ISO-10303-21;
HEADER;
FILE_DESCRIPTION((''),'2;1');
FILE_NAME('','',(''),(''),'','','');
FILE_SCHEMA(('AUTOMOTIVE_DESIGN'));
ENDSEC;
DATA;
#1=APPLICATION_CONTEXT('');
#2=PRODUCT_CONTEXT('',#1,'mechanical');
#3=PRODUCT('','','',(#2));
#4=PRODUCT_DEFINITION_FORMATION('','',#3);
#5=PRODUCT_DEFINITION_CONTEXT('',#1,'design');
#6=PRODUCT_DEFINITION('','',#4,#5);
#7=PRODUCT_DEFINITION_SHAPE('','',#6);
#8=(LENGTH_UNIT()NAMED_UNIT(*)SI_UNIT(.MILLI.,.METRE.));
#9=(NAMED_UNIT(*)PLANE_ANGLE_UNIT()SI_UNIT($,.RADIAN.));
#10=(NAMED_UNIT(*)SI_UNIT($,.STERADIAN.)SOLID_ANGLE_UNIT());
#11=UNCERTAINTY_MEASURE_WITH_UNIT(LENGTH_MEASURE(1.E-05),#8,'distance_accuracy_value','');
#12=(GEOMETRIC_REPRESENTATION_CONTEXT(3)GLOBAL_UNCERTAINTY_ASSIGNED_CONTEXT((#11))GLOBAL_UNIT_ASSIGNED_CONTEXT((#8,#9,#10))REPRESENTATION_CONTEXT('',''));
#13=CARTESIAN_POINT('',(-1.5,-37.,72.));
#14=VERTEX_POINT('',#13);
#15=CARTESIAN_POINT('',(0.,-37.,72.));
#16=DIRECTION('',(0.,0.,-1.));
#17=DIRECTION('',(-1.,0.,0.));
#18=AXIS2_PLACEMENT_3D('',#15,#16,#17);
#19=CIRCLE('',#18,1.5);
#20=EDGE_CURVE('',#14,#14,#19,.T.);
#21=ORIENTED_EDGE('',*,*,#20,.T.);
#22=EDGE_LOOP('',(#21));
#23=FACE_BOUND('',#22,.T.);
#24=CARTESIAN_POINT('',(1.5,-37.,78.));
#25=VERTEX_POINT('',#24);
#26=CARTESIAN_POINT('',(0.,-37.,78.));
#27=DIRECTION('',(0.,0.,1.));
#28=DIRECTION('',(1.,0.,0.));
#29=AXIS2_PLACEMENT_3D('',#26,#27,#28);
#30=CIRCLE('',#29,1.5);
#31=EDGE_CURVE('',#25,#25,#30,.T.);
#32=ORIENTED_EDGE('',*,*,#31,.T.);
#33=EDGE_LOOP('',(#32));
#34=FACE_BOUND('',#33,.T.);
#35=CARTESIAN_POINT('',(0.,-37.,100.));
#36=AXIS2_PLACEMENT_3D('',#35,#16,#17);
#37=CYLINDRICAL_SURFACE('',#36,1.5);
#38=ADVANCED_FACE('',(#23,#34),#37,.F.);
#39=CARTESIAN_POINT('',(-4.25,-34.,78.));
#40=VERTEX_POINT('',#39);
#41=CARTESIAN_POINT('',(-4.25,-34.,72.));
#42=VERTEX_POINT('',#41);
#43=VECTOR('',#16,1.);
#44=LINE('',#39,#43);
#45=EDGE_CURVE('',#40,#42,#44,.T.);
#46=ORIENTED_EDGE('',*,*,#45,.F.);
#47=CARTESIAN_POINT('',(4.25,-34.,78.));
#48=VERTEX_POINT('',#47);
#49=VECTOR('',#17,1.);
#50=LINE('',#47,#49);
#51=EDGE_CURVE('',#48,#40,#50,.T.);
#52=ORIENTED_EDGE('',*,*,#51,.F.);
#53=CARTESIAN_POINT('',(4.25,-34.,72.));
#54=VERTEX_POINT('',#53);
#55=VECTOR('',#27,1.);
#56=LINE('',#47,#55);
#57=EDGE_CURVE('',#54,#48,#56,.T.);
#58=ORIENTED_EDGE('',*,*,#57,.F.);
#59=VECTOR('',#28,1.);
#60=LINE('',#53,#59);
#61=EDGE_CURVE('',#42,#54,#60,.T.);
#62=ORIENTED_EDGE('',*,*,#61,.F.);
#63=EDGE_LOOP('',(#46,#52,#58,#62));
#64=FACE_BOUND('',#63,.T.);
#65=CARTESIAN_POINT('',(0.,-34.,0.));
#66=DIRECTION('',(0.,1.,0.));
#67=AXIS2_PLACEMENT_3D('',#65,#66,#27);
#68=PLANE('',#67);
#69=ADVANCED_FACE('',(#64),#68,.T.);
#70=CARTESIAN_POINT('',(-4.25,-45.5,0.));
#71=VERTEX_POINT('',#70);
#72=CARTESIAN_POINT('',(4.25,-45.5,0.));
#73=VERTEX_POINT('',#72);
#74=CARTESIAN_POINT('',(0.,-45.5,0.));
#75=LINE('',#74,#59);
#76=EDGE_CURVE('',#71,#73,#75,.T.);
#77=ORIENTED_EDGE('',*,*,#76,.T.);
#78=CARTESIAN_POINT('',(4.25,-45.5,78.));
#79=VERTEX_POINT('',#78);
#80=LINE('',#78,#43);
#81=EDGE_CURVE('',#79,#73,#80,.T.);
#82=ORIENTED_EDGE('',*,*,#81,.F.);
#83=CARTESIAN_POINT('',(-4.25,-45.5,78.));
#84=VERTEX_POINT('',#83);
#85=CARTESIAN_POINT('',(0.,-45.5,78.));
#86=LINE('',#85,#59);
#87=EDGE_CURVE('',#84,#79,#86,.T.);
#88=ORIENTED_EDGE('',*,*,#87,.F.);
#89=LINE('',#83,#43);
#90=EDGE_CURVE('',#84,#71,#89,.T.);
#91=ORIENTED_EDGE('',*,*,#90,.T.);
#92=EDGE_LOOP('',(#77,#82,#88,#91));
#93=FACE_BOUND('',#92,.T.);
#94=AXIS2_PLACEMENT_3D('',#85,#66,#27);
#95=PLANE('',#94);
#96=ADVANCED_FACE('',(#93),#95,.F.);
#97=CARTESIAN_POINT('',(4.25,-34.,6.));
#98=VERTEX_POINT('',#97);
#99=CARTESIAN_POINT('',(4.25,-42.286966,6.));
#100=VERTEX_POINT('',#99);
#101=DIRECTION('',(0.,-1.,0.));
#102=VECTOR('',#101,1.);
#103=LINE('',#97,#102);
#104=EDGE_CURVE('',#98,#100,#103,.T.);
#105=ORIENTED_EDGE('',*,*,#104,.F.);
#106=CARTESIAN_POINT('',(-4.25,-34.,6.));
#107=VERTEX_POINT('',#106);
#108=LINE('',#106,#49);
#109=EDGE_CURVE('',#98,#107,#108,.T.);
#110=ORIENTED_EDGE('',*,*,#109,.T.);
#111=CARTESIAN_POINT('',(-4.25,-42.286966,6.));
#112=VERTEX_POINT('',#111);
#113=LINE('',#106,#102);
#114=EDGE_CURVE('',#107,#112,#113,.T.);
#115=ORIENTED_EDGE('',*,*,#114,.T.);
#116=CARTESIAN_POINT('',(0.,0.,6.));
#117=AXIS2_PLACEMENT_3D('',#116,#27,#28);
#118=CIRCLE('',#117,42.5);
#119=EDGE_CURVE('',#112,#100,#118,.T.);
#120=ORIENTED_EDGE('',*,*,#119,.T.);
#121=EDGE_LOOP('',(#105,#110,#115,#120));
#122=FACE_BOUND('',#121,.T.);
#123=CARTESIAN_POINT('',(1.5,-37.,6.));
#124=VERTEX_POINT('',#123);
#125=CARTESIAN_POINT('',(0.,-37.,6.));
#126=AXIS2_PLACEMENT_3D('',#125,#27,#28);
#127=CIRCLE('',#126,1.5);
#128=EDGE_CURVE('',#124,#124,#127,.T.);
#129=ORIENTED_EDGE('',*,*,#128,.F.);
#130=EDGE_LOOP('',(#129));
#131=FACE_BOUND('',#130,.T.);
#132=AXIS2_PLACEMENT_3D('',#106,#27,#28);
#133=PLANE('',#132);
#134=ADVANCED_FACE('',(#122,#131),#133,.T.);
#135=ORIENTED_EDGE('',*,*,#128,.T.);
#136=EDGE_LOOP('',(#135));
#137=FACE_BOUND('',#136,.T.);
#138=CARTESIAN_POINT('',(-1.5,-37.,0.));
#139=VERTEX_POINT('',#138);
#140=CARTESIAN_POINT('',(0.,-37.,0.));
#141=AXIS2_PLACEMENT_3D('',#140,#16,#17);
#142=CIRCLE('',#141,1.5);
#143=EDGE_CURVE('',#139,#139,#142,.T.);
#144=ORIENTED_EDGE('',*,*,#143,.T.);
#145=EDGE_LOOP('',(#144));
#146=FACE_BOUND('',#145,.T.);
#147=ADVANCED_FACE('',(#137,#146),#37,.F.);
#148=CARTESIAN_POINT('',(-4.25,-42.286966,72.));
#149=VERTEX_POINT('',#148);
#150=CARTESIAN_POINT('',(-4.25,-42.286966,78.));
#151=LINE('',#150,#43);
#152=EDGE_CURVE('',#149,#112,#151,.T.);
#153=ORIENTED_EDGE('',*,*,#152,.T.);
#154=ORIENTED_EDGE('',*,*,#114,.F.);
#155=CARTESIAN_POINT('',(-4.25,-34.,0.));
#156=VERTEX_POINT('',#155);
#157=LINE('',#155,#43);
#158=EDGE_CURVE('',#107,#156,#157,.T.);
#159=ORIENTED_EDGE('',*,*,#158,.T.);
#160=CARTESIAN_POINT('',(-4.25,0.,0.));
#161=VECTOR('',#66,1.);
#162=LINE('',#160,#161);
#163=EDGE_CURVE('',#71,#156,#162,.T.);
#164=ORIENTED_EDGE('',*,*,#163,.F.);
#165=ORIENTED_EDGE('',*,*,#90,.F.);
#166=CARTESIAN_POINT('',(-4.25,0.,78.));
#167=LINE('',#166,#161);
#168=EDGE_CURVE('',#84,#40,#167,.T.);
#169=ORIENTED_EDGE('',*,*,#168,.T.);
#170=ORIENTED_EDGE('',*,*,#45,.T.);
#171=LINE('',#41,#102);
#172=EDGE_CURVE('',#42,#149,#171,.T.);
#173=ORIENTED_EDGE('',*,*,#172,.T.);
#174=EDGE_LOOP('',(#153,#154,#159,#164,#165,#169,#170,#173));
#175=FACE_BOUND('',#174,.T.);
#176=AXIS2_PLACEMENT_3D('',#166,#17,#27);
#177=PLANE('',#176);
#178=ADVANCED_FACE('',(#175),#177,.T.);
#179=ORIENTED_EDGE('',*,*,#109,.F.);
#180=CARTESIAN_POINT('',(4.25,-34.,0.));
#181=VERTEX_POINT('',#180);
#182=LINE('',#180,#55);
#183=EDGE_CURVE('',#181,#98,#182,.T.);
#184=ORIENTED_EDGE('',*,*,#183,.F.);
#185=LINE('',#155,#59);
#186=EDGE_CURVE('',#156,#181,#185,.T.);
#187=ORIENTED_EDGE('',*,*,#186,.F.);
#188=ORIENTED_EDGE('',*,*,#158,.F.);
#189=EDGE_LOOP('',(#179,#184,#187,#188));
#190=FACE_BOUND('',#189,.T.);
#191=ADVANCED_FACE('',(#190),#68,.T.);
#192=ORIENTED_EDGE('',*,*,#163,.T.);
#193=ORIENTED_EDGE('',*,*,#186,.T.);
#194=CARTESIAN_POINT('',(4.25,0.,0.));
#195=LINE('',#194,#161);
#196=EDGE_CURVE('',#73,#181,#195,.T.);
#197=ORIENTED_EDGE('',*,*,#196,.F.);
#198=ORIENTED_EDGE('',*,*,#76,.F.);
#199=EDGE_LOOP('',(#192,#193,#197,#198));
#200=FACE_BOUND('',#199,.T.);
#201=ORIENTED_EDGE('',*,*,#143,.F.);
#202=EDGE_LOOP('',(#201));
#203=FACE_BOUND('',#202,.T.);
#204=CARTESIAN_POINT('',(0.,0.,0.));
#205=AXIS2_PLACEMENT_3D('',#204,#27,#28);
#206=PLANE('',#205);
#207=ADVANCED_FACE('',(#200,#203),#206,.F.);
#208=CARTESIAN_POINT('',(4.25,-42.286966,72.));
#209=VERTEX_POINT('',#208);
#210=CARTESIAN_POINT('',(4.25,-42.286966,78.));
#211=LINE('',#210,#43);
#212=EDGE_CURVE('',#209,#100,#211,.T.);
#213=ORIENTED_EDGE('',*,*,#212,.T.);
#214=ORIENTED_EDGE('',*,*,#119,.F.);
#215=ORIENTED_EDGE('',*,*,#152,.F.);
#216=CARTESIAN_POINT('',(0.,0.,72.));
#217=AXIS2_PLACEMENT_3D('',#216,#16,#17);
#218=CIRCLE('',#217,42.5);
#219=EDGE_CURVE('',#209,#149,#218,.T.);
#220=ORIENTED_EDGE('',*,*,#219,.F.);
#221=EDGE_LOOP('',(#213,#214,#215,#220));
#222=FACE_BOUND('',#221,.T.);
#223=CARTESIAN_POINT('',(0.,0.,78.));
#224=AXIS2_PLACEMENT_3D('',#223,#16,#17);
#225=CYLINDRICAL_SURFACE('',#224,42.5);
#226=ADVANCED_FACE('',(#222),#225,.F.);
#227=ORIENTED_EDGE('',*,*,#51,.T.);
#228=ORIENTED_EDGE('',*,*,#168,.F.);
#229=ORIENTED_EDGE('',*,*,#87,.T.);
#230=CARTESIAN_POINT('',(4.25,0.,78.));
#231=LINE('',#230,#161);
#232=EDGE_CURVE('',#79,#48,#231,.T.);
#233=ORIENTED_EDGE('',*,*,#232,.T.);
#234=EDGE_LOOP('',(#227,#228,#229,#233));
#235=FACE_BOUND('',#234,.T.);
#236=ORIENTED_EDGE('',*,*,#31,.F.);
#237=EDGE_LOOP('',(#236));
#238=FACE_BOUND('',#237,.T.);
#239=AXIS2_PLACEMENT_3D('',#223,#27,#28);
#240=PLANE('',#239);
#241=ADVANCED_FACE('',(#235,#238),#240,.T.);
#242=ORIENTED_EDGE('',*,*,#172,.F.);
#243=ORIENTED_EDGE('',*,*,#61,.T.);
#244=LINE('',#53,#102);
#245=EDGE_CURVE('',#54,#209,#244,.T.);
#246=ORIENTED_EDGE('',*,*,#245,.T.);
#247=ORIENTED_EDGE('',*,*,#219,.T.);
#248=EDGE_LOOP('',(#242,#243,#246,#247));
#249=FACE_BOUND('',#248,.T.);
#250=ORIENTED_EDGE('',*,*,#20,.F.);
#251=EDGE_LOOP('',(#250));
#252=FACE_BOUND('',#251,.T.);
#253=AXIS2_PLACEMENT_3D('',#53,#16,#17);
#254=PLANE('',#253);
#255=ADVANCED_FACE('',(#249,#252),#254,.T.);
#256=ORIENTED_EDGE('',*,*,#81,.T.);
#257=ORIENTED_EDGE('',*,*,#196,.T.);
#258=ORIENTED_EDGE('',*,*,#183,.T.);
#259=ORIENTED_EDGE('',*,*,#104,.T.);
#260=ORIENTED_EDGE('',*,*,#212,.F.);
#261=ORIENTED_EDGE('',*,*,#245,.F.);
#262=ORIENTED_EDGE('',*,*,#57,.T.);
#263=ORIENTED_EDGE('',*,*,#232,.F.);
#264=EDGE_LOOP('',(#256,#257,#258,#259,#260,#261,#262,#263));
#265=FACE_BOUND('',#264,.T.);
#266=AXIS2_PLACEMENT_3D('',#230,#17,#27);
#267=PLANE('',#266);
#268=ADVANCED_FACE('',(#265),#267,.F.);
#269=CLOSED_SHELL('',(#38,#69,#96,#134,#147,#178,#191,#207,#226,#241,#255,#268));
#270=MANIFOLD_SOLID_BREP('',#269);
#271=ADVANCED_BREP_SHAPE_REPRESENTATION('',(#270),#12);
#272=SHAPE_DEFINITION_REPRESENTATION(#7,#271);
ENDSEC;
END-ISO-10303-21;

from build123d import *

# Parameters (mm, degrees)
BOSS_EXTRUDE1_DEPTH = 78
SKETCH2_W           = 8.5
SKETCH2_H           = 6
BOSS_EXTRUDE2_DEPTH = 8.5
SKETCH3_R           = 1.5
CUT_EXTRUDE1_DEPTH  = 100


with BuildPart() as part:
    # Sketch1 → Boss-Extrude1 (new body)
    with BuildSketch(Plane.XY):
        with BuildLine():
            Line((-4.25, -45.5), (4.25, -45.5))
            Line((4.25, -45.5), (4.25, -42.286966077))
            ThreePointArc((4.25, -42.286966077), (0, -42.5), (-4.25, -42.286966077))
            Line((-4.25, -42.286966077), (-4.25, -45.5))
        make_face()
    extrude(amount=BOSS_EXTRUDE1_DEPTH)

    # Sketch2 → Boss-Extrude2 (add)
    with BuildSketch(Plane(origin=(0, -42.5, 0), x_dir=(-1, 0, 0), z_dir=(0, -1, 0))):
        with Locations((0, -75)):
            Rectangle(SKETCH2_W, SKETCH2_H)
        with Locations((0, -3)):
            Rectangle(SKETCH2_W, SKETCH2_H)
    extrude(amount=-BOSS_EXTRUDE2_DEPTH)

    # Sketch3 → Cut-Extrude1 (cut)
    with BuildSketch(Plane(origin=(0, 0, 0), x_dir=(-1, 0, 0), z_dir=(0, 0, -1))):
        with Locations((0, -37)):
            Circle(SKETCH3_R)
    extrude(amount=-CUT_EXTRUDE1_DEPTH, mode=Mode.SUBTRACT)


solid = part.part
